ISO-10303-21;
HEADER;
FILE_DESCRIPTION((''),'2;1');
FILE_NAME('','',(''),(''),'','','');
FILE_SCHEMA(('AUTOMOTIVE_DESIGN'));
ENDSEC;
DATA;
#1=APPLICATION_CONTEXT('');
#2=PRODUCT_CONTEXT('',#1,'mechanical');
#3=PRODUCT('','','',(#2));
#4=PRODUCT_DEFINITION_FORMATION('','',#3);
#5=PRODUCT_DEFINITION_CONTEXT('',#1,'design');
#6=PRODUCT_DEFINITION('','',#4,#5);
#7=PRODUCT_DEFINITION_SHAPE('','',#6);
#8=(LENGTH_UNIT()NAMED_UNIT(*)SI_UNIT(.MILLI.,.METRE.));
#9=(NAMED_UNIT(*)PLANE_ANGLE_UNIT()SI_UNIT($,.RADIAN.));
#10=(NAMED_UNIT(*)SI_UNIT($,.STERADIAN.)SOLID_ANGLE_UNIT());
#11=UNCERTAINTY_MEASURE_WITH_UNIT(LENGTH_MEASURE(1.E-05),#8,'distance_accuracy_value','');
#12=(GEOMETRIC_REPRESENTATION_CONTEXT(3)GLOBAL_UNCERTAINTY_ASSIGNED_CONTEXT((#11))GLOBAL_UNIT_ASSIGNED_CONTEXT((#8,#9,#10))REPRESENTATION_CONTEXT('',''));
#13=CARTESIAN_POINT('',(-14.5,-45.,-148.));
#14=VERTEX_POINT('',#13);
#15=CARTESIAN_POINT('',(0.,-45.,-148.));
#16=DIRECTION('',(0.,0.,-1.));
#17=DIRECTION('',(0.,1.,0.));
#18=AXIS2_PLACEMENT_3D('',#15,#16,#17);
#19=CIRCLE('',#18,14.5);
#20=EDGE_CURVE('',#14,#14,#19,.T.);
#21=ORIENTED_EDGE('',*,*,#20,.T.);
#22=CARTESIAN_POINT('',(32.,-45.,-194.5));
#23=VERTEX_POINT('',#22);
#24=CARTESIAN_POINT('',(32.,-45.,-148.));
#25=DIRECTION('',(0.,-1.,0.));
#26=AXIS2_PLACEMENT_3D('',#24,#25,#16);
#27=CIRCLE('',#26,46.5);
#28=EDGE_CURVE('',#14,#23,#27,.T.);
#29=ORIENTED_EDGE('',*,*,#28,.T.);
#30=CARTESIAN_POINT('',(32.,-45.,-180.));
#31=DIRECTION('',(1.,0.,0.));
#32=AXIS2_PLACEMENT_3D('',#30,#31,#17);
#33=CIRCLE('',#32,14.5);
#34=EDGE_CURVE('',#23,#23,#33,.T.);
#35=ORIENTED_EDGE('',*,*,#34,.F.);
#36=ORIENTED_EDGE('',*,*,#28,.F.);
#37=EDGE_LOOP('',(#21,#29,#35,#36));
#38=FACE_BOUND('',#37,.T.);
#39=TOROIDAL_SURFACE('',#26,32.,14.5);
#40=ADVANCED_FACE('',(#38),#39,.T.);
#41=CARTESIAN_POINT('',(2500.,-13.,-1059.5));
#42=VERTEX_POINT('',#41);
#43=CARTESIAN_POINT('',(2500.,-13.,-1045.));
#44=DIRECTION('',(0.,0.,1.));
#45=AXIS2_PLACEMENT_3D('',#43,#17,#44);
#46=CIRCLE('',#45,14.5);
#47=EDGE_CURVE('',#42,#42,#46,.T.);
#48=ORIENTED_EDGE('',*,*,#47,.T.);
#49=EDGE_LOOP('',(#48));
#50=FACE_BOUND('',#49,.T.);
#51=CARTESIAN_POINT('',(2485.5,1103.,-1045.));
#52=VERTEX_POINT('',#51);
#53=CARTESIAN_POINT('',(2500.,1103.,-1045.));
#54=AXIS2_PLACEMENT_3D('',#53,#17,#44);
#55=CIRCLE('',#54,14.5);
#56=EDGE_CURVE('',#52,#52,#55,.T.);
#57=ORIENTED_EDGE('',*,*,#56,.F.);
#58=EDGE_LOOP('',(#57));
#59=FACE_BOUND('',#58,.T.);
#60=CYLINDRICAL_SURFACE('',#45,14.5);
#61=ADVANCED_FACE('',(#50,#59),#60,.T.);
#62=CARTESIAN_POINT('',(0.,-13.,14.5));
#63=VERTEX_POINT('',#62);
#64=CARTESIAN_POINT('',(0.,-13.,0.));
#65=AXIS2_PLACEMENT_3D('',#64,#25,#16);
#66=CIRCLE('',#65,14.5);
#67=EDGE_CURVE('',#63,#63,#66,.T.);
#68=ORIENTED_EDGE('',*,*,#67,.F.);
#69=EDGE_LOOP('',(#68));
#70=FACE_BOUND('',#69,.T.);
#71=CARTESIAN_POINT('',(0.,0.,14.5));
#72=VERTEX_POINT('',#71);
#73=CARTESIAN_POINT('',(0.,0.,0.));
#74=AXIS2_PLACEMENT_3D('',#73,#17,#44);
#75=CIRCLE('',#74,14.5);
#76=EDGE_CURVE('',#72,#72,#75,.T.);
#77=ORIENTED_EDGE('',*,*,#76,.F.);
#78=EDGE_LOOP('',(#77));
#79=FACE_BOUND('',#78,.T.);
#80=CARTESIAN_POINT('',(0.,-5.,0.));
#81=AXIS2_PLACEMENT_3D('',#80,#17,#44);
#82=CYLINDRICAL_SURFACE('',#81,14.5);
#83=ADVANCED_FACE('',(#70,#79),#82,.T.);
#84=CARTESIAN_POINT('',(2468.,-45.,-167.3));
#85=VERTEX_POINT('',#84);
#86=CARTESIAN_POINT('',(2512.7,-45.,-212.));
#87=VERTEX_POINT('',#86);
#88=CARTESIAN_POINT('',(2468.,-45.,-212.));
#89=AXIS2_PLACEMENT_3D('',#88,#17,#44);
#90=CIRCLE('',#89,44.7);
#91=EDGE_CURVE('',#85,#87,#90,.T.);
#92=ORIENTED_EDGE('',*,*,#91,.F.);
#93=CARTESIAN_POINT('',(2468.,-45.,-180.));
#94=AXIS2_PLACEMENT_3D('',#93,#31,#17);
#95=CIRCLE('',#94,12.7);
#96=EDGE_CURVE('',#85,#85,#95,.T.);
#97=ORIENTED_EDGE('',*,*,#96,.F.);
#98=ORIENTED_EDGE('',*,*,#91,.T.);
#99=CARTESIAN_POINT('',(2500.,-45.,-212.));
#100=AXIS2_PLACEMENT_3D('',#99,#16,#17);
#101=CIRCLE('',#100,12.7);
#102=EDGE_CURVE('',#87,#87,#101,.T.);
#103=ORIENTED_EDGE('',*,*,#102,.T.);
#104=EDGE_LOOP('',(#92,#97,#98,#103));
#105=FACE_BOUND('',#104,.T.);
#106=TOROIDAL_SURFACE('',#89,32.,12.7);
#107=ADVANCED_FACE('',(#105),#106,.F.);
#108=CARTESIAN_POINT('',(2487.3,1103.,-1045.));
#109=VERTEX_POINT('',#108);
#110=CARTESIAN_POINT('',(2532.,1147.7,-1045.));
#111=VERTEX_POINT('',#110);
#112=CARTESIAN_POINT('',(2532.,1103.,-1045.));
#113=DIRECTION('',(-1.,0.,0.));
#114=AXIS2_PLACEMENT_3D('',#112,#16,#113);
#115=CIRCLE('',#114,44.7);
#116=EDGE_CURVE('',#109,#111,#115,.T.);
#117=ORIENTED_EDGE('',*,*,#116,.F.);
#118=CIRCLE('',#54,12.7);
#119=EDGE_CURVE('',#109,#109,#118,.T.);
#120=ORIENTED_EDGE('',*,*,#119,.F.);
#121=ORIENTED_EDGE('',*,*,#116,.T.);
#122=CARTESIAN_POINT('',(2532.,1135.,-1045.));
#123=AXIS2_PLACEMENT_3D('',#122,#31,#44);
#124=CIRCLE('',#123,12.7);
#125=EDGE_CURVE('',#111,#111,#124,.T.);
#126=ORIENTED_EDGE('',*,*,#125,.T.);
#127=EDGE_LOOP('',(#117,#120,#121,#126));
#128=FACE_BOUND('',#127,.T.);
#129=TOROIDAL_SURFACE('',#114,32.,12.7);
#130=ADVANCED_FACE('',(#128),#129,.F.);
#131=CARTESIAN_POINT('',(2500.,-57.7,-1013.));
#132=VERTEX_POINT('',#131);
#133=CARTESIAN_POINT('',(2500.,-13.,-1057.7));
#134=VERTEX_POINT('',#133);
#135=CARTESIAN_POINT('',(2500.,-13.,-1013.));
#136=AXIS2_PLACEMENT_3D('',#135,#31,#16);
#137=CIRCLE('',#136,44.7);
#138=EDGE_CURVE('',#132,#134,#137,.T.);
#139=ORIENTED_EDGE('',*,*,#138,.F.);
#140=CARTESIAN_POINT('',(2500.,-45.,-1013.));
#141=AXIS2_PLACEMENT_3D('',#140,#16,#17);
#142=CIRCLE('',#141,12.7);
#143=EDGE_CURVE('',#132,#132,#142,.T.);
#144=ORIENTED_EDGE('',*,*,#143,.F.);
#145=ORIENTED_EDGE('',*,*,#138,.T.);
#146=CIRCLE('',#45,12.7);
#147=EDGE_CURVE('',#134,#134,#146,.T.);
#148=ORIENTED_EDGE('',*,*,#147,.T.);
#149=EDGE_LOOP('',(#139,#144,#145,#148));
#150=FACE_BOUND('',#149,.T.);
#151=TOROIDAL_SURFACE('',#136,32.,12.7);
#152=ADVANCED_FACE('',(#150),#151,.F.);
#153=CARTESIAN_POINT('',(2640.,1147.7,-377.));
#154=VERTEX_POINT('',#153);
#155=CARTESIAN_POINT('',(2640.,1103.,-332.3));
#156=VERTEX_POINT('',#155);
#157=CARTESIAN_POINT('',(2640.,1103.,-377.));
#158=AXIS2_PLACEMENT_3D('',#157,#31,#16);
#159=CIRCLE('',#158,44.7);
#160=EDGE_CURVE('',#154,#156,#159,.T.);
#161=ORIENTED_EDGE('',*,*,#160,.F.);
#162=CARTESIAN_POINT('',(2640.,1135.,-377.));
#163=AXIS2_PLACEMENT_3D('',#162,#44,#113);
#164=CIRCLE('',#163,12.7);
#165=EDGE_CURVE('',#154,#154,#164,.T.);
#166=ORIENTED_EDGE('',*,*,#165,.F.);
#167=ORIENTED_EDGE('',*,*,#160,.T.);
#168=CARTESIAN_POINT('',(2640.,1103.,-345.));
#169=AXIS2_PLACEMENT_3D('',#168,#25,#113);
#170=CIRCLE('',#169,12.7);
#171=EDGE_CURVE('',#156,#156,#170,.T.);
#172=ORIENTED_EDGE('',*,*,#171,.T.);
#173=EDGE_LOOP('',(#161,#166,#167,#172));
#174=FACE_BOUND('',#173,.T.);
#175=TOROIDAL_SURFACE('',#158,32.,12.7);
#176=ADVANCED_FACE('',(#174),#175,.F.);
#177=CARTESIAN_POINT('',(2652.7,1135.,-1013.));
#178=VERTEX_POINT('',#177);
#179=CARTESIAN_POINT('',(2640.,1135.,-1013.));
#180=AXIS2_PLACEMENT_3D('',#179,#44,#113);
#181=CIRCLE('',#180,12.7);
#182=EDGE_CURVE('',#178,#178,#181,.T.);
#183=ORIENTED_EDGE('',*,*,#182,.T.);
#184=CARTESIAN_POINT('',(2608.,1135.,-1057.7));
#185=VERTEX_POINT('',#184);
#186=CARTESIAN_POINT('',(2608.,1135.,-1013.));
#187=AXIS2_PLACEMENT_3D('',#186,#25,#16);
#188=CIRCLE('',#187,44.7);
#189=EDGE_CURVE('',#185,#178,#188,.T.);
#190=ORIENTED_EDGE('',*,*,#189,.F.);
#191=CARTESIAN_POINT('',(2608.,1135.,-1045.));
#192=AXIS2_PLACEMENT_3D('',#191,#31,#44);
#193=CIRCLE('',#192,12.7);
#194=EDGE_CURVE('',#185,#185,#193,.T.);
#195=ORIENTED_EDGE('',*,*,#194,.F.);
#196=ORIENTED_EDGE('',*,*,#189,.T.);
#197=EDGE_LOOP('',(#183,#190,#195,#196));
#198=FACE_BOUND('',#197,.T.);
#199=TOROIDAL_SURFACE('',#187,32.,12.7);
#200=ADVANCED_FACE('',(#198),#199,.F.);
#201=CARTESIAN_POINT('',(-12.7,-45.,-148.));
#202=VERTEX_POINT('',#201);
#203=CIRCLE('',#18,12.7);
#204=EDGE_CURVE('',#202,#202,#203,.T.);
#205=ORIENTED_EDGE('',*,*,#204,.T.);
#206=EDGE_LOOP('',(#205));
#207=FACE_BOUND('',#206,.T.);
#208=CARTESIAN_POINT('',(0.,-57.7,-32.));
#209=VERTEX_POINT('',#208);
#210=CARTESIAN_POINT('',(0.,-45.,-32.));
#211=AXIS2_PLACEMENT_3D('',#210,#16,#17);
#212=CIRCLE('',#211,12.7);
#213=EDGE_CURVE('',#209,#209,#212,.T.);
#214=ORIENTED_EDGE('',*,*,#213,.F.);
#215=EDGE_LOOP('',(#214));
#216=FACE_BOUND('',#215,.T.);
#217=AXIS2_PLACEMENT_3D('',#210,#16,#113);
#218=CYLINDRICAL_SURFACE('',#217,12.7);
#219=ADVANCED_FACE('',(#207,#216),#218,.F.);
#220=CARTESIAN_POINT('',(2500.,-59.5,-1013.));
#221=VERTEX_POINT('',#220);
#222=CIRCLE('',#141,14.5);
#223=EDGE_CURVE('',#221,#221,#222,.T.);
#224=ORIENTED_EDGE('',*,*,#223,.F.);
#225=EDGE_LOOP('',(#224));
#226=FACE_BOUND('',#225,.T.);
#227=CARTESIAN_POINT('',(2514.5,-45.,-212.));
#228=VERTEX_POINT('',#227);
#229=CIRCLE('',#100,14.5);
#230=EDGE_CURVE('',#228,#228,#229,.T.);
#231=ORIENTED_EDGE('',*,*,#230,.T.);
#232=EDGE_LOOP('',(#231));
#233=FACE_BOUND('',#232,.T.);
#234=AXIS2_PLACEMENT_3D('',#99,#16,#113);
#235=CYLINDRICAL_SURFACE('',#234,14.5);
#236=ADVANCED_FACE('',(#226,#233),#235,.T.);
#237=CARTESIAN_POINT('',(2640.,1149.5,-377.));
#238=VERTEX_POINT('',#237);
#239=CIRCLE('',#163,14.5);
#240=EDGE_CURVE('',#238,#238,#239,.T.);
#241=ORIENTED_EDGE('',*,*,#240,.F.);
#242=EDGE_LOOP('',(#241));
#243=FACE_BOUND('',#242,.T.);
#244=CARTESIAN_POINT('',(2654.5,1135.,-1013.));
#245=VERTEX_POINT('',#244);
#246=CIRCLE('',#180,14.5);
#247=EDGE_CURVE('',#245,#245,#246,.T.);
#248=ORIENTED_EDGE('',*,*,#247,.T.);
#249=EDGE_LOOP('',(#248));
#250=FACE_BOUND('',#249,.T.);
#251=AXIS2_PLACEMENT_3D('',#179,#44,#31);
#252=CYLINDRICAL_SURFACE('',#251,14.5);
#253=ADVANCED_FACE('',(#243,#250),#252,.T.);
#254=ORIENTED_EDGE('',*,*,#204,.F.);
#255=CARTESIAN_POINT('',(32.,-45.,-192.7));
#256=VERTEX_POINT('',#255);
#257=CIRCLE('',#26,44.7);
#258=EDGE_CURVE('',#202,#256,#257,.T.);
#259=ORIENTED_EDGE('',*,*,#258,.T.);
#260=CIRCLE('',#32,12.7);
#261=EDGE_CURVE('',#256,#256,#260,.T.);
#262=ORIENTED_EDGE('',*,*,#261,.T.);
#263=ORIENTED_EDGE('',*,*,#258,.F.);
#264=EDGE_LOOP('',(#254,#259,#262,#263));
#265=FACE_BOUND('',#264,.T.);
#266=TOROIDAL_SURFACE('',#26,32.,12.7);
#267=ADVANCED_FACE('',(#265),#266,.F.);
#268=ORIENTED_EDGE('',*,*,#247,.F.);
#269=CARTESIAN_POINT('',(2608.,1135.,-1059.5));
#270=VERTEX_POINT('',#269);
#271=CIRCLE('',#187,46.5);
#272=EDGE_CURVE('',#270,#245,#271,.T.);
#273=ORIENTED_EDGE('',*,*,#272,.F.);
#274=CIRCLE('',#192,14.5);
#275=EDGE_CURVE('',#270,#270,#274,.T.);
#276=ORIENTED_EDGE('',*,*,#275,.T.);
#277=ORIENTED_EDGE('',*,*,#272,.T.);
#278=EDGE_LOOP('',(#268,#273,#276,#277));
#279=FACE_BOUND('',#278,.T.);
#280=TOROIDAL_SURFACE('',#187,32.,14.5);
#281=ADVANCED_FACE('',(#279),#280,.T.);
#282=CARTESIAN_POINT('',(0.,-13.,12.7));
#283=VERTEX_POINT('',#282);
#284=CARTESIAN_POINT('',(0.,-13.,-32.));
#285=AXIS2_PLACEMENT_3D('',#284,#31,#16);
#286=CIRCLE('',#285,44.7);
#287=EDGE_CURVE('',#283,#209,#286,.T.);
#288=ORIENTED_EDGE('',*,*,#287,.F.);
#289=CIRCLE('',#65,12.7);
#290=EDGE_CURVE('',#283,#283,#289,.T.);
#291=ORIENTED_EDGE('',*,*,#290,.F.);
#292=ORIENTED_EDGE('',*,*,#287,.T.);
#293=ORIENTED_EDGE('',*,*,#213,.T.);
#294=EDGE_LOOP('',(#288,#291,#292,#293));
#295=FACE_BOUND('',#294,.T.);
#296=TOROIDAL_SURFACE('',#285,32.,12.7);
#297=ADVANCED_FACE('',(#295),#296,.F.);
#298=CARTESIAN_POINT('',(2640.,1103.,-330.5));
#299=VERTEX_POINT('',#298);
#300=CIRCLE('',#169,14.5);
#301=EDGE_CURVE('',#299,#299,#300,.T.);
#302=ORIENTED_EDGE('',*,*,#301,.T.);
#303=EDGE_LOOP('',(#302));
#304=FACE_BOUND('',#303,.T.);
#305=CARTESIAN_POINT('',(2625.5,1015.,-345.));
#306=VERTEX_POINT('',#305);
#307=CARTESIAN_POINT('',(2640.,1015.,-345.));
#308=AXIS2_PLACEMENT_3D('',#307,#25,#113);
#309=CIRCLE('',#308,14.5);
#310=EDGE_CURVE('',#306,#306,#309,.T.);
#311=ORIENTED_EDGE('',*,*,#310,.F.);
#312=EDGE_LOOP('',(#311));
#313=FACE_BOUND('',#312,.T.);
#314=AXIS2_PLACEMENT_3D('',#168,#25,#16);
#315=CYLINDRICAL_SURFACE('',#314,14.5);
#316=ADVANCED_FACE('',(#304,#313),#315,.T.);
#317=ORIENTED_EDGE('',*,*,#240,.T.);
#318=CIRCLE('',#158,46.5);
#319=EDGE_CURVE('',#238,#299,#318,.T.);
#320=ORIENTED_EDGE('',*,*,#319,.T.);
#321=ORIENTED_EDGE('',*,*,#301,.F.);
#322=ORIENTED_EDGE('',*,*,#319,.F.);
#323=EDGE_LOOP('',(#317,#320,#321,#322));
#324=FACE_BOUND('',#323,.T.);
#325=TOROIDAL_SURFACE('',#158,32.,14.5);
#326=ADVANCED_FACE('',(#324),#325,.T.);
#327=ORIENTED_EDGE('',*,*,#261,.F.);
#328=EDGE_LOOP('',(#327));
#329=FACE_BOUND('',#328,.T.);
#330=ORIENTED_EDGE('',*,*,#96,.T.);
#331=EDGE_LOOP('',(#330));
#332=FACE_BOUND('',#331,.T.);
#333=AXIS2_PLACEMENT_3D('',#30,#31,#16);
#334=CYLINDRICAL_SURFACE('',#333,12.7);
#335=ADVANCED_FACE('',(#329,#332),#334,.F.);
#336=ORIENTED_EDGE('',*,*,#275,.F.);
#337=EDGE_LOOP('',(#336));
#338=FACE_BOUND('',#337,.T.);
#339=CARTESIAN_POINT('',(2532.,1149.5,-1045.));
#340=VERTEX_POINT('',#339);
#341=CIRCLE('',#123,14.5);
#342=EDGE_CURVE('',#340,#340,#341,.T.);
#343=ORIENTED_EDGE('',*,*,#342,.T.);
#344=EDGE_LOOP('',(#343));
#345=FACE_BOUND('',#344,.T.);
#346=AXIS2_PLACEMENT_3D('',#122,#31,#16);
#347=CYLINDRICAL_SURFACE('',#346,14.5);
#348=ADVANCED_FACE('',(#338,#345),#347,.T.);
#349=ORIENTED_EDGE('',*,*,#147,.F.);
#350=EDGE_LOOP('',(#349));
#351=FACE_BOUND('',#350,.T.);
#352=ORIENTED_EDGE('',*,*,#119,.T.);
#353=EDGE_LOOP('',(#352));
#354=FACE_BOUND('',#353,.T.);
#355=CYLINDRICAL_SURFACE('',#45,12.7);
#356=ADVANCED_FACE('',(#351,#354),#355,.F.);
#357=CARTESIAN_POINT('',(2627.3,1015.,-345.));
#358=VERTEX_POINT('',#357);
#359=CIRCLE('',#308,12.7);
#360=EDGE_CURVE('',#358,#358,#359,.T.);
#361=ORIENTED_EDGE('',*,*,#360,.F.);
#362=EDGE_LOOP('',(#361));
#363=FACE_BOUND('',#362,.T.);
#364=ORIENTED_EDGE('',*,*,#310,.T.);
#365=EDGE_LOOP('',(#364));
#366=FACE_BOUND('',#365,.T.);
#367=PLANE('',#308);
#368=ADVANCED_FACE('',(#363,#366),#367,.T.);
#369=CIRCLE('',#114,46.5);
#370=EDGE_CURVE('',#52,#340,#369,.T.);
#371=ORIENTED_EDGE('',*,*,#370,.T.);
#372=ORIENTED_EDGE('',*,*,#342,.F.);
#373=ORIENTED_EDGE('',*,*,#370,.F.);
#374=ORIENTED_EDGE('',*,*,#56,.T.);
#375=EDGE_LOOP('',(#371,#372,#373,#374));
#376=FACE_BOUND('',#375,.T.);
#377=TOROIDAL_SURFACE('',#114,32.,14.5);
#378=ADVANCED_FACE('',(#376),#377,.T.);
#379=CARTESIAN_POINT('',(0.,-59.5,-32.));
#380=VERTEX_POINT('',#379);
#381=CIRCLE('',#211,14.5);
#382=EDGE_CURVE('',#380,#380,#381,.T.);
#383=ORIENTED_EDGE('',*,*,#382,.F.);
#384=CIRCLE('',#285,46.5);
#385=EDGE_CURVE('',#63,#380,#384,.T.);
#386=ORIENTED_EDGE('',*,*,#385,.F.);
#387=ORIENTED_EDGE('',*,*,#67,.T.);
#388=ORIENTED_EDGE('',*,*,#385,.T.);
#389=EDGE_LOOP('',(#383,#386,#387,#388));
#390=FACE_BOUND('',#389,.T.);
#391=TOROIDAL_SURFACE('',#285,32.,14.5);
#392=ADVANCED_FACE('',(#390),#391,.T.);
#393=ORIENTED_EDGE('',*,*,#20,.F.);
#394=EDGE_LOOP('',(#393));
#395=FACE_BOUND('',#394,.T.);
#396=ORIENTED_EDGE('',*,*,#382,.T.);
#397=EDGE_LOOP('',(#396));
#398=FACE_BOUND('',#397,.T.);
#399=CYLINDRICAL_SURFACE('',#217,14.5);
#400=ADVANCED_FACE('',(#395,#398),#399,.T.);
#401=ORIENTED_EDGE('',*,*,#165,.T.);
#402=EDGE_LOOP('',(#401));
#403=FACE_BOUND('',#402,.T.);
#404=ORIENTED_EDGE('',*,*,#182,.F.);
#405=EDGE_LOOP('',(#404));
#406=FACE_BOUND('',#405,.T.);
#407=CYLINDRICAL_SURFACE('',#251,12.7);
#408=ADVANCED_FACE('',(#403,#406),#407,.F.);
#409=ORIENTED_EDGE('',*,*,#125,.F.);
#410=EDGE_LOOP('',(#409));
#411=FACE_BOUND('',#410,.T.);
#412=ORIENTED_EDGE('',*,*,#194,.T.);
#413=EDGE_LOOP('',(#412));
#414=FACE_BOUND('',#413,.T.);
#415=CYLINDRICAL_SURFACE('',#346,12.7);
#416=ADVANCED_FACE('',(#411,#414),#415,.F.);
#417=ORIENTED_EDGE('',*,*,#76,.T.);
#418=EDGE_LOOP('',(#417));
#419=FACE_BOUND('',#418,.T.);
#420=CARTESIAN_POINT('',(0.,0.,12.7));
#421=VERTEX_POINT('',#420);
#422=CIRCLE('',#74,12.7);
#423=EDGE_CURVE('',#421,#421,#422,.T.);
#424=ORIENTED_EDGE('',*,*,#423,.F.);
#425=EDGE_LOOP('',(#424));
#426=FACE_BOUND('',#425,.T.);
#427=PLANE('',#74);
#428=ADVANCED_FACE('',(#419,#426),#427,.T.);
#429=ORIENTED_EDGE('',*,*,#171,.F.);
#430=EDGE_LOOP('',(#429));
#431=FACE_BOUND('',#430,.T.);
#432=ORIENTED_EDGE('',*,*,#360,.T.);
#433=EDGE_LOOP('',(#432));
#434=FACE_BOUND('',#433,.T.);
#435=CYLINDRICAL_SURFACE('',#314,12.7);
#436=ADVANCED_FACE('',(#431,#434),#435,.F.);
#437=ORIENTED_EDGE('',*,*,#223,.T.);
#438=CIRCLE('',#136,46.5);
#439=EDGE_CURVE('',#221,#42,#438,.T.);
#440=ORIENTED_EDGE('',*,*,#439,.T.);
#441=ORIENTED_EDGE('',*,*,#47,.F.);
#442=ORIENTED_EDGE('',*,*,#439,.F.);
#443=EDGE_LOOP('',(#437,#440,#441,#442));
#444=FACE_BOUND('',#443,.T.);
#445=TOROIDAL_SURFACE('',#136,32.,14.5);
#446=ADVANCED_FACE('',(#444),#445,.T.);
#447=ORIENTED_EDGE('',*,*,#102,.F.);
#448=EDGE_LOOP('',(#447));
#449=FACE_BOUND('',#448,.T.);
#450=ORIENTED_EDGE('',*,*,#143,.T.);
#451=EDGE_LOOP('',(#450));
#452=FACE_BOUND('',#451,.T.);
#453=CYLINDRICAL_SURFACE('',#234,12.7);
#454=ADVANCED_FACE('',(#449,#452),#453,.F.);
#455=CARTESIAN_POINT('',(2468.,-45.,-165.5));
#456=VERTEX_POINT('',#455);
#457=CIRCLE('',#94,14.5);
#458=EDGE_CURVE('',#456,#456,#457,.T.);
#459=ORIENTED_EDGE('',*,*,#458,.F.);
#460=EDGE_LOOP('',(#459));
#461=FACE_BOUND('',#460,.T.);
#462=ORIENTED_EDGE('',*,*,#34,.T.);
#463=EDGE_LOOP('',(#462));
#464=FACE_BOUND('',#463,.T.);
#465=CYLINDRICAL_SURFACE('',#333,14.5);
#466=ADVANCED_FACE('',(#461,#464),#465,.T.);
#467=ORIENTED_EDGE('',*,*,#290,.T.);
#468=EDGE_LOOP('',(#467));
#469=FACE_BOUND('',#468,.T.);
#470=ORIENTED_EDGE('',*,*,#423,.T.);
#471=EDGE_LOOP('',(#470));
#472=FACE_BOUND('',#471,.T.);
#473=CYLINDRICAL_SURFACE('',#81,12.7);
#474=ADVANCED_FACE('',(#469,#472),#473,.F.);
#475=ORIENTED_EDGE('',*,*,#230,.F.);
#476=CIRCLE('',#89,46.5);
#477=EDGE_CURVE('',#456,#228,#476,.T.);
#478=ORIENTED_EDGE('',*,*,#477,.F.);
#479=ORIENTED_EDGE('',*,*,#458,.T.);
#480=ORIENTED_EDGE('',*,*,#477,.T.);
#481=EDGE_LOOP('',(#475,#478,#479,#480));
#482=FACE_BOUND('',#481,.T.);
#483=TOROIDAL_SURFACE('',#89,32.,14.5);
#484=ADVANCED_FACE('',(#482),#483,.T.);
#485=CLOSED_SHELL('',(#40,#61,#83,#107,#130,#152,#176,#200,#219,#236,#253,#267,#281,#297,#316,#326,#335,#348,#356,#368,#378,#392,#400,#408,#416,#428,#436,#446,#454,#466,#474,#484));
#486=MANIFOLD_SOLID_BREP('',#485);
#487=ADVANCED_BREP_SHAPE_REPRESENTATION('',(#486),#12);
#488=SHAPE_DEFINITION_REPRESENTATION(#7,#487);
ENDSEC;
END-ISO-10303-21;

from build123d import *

# Parameters (mm, degrees)
CROQUIS1_R              = 14.5
CROQUIS1_R_2            = 12.7
SALIENTE_EXTRUIR1_DEPTH = 5
CROQUIS2_R              = 14.5
CROQUIS2_R_2            = 12.7


with BuildPart() as part:
    # Croquis1 → Saliente-Extruir1 (new body)
    with BuildSketch(Plane(origin=(0, 0, 0), x_dir=(1, 0, 0), z_dir=(0, 1, 0))):
        with Locations(Location((0, 0, 0), (0, 0, 270))):
            Circle(CROQUIS1_R)
        with Locations(Location((0, 0, 0), (0, 0, 270))):
            Circle(CROQUIS1_R_2, mode=Mode.SUBTRACT)
    extrude(amount=-SALIENTE_EXTRUIR1_DEPTH)

    # Barrer1: sweep along a curve in space
    with BuildLine() as barrer1_path:
        Line((0, -5, 0), (0, -13, 0))
        ThreePointArc((0, -13, 0), (0, -35.627416998, -9.372583002), (0, -45, -32))
        Line((0, -45, -32), (0, -45, -148))
        ThreePointArc((0, -45, -148), (9.372583002, -45, -170.627416998), (32, -45, -180))
        Line((32, -45, -180), (2468, -45, -180))
        ThreePointArc((2468, -45, -180), (2490.627416998, -45, -189.372583002), (2500, -45, -212))
        Line((2500, -45, -212), (2500, -45, -1013))
        ThreePointArc((2500, -45, -1013), (2500, -35.627416998, -1035.627416998), (2500, -13, -1045))
        Line((2500, -13, -1045), (2500, 1103, -1045))
        ThreePointArc((2500, 1103, -1045), (2509.372583002, 1125.627416998, -1045), (2532, 1135, -1045))
        Line((2532, 1135, -1045), (2608, 1135, -1045))
        ThreePointArc((2608, 1135, -1045), (2630.627416998, 1135, -1035.627416998), (2640, 1135, -1013))
        Line((2640, 1135, -1013), (2640, 1135, -377))
        ThreePointArc((2640, 1135, -377), (2640, 1125.627416998, -354.372583002), (2640, 1103, -345))
        Line((2640, 1103, -345), (2640, 1015, -345))
    # Croquis2 → Barrer1 (sweep)
    with BuildSketch(Plane.XZ.offset(5)):
        Circle(CROQUIS2_R)
        Circle(CROQUIS2_R_2, mode=Mode.SUBTRACT)
    sweep(path=barrer1_path.line)


solid = part.part
